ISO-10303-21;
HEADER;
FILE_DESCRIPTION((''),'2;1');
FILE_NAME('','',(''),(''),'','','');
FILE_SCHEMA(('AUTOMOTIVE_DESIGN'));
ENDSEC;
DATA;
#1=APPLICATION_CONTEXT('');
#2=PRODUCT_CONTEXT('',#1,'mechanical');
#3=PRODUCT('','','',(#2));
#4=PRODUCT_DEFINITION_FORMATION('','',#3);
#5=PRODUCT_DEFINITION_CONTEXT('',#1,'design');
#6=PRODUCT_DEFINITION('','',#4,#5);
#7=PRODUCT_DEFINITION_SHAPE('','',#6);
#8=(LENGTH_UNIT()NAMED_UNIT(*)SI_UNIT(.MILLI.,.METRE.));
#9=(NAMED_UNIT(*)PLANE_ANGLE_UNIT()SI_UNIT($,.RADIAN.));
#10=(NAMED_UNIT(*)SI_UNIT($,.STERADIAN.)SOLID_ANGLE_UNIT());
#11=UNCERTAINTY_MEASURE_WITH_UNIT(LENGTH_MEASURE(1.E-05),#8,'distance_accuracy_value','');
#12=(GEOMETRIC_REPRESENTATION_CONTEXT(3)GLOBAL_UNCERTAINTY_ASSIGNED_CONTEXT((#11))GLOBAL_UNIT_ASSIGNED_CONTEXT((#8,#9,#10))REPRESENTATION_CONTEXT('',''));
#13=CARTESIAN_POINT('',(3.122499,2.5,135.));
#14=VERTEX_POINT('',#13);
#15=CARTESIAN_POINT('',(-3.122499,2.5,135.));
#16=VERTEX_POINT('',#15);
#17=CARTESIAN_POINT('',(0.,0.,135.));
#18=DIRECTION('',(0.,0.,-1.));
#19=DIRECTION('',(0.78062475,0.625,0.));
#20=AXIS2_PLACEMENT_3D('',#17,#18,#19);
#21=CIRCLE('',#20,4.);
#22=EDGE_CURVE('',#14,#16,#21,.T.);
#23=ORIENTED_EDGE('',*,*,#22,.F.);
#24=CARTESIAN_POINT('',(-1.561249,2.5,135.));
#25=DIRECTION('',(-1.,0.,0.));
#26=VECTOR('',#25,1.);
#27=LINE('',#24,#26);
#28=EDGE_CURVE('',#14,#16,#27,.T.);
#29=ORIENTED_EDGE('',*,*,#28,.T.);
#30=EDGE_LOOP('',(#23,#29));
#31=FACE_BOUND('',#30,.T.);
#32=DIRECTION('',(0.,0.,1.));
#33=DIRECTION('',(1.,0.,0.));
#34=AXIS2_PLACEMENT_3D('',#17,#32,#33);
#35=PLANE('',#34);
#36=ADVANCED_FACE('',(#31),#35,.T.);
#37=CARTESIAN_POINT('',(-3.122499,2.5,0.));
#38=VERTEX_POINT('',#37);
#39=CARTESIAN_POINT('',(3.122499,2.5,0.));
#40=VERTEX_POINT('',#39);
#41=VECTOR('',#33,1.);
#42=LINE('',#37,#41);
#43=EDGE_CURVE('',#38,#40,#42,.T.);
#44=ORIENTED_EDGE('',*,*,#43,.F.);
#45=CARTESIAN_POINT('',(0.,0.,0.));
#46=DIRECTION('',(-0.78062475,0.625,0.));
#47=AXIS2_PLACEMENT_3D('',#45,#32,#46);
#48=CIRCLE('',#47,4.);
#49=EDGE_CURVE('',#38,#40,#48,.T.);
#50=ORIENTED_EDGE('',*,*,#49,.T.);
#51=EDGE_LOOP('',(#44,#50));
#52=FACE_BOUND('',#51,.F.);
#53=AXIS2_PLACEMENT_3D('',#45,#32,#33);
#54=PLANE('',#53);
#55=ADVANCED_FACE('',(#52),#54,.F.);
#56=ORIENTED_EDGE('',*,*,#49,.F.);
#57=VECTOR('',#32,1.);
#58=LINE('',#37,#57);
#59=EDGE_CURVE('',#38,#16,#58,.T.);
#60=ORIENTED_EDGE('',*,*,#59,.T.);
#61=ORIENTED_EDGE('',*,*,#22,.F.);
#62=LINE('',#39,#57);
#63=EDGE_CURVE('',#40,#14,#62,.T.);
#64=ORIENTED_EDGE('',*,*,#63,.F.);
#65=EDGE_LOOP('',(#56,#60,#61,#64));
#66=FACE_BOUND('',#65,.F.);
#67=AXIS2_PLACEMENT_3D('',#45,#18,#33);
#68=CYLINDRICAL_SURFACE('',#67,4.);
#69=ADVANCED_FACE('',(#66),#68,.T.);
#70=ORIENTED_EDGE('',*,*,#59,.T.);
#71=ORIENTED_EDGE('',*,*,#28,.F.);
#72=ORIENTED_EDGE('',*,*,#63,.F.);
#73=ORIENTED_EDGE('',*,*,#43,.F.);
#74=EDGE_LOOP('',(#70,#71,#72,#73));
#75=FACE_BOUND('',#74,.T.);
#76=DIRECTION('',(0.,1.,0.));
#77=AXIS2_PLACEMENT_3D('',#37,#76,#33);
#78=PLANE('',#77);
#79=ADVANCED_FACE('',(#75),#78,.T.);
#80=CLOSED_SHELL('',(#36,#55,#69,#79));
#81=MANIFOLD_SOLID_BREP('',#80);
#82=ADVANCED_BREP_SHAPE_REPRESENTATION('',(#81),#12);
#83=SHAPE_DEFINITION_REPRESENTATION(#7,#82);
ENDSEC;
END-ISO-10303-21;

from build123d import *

# Parameters (mm, degrees)
SKETCH2_R               = 4
BOSS_EXTRUDE1_DEPTH     = 135
CUT_EXTRUDE1_DEPTH      = 136
CUT_EXTRUDE1_DEPTH_BACK = 1


with BuildPart() as part:
    # Sketch2 → Boss-Extrude1 (new body)
    with BuildSketch(Plane.XY):
        Circle(SKETCH2_R)
    extrude(amount=BOSS_EXTRUDE1_DEPTH)

    # Sketch3 → Cut-Extrude1 (cut, two sides)
    with BuildSketch(Plane.XY) as cut_extrude1_sk:
        with BuildLine():
            Line((-3.122498999, 2.5), (3.122498999, 2.5))
            ThreePointArc((3.122498999, 2.5), (0, 4), (-3.122498999, 2.5))
        make_face()
    extrude(amount=CUT_EXTRUDE1_DEPTH, mode=Mode.SUBTRACT)
    extrude(cut_extrude1_sk.sketch, amount=-CUT_EXTRUDE1_DEPTH_BACK, mode=Mode.SUBTRACT)


solid = part.part
